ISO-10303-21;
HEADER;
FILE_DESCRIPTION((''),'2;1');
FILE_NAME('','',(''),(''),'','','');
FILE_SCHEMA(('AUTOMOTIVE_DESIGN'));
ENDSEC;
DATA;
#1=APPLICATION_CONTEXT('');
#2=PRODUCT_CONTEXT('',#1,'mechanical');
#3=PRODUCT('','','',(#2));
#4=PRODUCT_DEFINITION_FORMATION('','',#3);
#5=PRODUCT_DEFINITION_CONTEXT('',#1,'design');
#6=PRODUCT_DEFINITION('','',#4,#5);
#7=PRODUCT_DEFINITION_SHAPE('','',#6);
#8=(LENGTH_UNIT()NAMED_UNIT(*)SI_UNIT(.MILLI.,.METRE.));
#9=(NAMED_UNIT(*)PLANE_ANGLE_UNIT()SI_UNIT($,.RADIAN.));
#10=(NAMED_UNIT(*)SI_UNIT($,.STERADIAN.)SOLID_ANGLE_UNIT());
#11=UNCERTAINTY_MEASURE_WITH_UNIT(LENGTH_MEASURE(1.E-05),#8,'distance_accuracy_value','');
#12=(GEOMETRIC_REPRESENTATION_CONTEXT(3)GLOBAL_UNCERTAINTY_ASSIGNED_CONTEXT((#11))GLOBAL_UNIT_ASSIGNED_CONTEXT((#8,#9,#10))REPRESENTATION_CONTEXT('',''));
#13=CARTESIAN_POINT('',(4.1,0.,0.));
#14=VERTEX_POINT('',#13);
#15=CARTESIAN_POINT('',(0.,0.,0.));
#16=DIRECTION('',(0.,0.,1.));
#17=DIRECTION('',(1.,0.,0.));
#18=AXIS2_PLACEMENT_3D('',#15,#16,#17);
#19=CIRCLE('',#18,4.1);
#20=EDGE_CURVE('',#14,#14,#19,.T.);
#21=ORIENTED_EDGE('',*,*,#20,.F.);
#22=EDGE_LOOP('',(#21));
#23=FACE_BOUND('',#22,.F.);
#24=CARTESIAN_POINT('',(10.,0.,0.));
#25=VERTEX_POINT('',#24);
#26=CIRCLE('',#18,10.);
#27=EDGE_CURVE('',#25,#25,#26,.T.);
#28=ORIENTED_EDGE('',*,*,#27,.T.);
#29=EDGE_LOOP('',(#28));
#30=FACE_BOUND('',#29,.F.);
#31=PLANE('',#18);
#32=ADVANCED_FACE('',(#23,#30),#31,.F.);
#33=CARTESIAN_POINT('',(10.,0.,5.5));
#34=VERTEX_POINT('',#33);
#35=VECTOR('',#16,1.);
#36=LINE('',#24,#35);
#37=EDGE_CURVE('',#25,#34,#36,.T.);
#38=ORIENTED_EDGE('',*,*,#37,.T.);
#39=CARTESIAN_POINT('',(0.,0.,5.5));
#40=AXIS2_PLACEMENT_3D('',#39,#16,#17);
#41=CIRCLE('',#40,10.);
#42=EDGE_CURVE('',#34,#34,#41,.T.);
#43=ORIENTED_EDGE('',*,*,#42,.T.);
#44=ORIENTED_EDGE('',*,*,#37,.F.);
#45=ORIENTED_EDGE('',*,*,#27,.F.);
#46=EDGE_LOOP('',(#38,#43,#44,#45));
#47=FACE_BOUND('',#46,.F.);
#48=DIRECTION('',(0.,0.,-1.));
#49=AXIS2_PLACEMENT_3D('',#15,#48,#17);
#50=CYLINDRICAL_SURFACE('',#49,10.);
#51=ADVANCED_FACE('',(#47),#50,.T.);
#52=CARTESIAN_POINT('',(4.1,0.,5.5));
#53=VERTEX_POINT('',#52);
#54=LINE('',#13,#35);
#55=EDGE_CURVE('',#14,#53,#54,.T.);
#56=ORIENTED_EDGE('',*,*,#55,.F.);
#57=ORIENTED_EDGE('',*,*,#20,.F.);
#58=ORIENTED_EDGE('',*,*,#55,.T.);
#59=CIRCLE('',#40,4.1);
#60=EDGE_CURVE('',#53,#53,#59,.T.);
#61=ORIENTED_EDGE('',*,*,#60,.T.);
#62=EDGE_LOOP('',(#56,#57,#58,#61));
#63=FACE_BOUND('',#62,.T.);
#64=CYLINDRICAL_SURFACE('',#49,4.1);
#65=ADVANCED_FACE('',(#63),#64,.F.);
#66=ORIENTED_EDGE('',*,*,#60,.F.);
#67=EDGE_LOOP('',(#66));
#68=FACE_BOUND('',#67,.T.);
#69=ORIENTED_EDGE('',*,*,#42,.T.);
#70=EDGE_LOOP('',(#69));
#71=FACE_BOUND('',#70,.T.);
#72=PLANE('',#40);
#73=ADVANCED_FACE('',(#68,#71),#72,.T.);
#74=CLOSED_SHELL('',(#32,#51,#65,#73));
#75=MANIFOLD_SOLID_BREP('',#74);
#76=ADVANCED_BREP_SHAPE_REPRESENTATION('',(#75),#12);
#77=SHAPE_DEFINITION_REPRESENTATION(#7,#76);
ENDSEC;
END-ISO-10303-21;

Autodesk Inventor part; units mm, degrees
ref_plane "YZ Plane" through (0, 0, 0) normal (1, 0, 0) x (0, 1, 0)
ref_plane "XZ Plane" through (0, 0, 0) normal (0, 1, 0) x (-1, 0, 0)
ref_plane "XY Plane" through (0, 0, 0) normal (0, 0, 1) x (1, 0, 0)
sketch "スケッチ1" plane through (0, 0, 0) normal (0, 0, 1) x (1, 0, 0)
  circle A0 centre (0, 0) radius 4.1
  circle A1 centre (0, 0) radius 10
  dimension "d0" = 8.2
  dimension "d1" = 20
extrude "押し出し1" add sketch "スケッチ1" along normal blind 5.5
properties part number "RP_Calf-Link-cover-Simring5.5"
